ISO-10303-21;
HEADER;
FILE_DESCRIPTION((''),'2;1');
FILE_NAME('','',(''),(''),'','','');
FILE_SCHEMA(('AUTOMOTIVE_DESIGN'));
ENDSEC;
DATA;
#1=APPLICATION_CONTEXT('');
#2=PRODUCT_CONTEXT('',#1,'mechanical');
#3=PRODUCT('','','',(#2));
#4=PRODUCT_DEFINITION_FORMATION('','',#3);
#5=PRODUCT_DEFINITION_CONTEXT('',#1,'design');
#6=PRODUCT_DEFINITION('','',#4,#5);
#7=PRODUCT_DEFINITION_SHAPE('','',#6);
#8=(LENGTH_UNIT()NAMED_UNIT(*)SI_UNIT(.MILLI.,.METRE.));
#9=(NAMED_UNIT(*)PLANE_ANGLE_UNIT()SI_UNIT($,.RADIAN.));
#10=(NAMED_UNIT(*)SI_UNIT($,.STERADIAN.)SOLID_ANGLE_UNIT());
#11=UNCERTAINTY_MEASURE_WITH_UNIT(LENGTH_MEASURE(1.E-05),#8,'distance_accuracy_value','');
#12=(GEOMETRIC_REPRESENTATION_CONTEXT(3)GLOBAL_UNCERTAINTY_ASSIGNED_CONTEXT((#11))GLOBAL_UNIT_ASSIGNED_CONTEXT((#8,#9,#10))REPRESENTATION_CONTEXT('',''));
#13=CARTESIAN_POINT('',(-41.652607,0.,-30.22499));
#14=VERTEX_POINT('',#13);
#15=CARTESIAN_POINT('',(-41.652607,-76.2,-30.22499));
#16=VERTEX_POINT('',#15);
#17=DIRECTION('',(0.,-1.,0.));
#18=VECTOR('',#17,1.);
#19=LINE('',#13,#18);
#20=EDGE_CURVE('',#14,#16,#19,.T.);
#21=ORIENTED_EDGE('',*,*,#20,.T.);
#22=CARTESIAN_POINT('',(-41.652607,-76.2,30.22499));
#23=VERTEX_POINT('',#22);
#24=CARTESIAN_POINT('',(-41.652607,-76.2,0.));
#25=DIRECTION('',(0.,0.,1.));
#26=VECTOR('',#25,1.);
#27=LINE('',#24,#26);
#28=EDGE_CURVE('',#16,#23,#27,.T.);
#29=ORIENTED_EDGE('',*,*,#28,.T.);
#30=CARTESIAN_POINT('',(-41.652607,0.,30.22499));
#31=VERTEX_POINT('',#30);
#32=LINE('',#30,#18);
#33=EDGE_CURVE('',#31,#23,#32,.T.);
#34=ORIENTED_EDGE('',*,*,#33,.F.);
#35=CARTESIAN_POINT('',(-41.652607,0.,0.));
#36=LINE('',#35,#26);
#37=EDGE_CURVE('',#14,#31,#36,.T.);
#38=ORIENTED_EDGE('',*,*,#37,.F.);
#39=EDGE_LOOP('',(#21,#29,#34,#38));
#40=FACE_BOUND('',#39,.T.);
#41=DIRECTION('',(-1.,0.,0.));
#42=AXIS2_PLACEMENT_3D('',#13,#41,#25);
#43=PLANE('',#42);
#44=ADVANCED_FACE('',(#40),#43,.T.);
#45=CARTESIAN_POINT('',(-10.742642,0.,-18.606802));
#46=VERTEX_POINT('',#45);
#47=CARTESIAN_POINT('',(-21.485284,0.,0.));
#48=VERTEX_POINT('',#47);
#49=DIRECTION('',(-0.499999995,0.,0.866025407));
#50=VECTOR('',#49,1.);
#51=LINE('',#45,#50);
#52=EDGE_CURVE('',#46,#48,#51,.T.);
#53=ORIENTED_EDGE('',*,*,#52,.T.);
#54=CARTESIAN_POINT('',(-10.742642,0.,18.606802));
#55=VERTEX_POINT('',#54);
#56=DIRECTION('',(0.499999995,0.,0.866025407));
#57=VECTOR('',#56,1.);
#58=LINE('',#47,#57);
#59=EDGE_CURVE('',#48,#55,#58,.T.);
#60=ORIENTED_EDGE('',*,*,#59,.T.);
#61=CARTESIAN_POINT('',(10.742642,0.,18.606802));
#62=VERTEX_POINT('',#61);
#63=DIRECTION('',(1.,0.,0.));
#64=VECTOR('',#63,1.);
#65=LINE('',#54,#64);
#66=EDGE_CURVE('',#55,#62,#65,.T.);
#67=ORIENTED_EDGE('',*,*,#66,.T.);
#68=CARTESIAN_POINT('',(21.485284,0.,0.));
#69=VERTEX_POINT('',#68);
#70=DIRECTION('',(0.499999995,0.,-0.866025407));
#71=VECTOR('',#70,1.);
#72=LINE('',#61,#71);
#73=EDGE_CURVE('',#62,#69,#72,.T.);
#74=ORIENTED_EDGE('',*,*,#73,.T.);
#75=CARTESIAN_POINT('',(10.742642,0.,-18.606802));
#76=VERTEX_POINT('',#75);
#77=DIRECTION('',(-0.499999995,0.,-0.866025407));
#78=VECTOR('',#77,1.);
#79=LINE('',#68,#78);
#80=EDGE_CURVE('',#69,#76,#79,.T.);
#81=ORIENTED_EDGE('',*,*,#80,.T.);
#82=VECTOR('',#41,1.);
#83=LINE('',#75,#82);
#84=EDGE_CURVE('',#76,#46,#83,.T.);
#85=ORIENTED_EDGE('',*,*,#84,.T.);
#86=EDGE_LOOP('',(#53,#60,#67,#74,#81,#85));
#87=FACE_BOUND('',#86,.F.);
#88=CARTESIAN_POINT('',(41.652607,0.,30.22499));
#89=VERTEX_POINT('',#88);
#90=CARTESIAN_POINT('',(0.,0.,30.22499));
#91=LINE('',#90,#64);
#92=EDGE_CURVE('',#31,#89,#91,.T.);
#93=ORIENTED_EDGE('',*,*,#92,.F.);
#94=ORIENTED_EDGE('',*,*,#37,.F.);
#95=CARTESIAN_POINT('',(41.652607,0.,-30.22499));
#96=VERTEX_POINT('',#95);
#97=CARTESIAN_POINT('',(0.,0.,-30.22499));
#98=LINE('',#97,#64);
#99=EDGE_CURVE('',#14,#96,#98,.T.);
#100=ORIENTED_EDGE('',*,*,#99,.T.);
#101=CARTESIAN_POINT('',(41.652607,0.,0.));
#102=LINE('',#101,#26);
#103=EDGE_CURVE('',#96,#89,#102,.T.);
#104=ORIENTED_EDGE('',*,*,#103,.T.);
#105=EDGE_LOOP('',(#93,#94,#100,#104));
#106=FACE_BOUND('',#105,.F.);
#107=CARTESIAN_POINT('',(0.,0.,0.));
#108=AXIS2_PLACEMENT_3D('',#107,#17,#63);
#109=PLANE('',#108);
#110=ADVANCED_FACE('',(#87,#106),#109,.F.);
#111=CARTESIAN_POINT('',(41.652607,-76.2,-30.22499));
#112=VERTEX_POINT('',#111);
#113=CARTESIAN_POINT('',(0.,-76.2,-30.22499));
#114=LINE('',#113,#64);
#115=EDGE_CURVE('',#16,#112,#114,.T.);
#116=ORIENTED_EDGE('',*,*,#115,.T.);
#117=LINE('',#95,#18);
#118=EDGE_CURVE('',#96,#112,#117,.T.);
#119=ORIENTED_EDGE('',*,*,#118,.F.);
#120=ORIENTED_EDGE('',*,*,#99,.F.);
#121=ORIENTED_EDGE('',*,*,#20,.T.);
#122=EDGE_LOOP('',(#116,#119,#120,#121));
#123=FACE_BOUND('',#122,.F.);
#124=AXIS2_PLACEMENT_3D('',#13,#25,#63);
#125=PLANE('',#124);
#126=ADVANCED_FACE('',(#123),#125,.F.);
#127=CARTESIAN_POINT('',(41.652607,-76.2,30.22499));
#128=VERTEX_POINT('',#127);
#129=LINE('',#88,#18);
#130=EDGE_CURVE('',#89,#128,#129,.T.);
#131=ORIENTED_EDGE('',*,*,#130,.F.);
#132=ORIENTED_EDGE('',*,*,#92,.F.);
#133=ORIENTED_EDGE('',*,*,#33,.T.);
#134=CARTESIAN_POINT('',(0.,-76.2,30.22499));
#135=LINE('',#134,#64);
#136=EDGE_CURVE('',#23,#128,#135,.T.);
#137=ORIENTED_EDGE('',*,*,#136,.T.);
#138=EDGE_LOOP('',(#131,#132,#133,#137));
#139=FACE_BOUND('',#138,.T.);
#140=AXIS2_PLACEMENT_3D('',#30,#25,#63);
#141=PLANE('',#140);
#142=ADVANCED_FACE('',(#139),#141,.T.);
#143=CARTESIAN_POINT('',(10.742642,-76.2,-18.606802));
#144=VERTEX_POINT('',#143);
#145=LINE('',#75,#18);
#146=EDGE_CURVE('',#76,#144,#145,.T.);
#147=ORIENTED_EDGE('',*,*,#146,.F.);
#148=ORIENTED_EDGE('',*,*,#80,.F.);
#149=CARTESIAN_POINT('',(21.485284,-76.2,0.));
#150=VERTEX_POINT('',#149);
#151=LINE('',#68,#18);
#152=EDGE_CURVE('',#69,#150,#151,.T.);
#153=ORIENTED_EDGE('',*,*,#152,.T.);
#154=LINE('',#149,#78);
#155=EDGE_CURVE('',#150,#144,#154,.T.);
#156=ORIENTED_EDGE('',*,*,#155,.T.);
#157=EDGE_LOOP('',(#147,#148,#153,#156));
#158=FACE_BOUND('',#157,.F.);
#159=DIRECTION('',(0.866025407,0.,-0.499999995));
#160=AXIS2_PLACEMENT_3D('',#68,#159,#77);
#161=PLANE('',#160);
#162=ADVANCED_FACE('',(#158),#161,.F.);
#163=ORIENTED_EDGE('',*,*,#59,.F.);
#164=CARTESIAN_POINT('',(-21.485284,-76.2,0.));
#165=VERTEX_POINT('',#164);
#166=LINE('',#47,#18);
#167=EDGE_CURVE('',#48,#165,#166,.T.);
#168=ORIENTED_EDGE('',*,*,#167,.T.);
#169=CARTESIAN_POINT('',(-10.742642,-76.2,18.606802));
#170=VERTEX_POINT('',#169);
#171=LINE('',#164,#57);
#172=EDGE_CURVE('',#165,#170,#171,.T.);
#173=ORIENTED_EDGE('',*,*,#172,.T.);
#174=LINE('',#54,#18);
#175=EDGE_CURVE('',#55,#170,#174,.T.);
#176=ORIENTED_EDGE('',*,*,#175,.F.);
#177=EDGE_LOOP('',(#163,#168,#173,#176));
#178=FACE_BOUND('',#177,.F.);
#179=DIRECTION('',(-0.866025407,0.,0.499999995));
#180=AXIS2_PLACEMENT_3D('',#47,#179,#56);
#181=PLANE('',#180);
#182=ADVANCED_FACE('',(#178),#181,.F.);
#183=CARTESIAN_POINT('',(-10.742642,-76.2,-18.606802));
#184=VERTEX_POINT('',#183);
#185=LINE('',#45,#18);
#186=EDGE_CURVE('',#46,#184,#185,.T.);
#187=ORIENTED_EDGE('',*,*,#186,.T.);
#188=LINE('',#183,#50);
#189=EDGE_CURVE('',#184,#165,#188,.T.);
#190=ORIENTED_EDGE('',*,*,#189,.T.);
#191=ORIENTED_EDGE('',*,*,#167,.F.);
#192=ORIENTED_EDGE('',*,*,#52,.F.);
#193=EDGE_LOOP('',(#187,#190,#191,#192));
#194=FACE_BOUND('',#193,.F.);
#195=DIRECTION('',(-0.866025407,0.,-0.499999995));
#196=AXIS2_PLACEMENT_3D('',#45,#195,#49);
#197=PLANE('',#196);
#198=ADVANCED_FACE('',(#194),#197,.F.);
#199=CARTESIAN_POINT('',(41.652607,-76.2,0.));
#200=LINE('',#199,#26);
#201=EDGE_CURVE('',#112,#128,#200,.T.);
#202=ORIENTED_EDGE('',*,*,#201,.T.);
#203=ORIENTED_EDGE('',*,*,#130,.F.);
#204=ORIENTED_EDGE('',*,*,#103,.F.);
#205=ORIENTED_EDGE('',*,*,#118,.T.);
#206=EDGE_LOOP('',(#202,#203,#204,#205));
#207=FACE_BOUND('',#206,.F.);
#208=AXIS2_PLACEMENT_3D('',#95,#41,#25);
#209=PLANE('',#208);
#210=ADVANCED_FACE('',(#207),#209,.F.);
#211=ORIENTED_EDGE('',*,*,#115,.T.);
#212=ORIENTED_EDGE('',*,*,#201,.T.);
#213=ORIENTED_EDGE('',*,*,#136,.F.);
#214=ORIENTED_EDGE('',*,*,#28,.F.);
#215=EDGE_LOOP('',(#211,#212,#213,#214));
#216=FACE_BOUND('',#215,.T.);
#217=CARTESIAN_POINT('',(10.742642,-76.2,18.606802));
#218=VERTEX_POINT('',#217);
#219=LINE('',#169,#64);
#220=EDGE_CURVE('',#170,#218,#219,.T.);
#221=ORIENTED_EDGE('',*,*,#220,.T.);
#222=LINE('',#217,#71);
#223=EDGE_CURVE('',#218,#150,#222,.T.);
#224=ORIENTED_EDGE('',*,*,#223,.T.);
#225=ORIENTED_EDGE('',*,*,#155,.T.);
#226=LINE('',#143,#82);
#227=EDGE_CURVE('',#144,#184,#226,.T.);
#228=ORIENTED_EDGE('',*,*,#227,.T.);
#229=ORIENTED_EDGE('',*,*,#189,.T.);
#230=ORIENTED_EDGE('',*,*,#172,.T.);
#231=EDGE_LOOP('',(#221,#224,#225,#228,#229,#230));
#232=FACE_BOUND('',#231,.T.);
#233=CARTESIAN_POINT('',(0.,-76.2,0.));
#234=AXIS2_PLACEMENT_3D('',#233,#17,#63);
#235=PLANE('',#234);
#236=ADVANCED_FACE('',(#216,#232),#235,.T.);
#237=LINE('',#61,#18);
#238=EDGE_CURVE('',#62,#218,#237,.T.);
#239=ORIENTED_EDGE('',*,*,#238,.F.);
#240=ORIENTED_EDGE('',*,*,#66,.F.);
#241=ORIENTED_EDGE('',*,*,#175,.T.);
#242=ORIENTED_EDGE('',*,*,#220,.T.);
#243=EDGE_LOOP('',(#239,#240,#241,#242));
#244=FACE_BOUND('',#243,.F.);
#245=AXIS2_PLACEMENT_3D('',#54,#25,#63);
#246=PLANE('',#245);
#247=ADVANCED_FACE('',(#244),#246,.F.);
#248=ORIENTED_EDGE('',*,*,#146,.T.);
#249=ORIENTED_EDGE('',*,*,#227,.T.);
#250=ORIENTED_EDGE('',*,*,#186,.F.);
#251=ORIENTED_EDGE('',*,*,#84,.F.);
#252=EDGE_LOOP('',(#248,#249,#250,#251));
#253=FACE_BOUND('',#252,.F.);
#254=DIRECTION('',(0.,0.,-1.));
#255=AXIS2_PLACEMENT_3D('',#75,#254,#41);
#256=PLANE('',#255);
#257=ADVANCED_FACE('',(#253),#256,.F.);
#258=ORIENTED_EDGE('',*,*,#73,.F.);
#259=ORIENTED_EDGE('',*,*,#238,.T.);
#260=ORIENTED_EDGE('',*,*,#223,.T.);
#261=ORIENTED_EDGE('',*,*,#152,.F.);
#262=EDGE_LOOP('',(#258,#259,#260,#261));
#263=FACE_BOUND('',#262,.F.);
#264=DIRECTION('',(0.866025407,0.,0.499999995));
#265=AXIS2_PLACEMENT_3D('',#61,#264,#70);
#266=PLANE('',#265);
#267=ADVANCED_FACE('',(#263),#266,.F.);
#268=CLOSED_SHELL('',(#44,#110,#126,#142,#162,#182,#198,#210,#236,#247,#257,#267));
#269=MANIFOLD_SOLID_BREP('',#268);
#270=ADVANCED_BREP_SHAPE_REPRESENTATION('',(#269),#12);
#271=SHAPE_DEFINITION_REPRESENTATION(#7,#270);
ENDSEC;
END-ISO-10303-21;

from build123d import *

# Parameters (mm, degrees)
F0_W     = 83.305214
F0_H     = 60.44998
F1_DEPTH = 76.2


with BuildPart() as f1:
    # F0 (on Front) → F1 (new body)
    with BuildSketch(Plane.XZ):
        Rectangle(F0_W, F0_H)
        Polygon((10.742642, 18.606802), (21.485284, 0), (10.742642, -18.606802), (-10.742642, -18.606802), (-21.485284, 0), (-10.742642, 18.606802), align=None, mode=Mode.SUBTRACT)
    extrude(amount=F1_DEPTH)


solid = f1.part
